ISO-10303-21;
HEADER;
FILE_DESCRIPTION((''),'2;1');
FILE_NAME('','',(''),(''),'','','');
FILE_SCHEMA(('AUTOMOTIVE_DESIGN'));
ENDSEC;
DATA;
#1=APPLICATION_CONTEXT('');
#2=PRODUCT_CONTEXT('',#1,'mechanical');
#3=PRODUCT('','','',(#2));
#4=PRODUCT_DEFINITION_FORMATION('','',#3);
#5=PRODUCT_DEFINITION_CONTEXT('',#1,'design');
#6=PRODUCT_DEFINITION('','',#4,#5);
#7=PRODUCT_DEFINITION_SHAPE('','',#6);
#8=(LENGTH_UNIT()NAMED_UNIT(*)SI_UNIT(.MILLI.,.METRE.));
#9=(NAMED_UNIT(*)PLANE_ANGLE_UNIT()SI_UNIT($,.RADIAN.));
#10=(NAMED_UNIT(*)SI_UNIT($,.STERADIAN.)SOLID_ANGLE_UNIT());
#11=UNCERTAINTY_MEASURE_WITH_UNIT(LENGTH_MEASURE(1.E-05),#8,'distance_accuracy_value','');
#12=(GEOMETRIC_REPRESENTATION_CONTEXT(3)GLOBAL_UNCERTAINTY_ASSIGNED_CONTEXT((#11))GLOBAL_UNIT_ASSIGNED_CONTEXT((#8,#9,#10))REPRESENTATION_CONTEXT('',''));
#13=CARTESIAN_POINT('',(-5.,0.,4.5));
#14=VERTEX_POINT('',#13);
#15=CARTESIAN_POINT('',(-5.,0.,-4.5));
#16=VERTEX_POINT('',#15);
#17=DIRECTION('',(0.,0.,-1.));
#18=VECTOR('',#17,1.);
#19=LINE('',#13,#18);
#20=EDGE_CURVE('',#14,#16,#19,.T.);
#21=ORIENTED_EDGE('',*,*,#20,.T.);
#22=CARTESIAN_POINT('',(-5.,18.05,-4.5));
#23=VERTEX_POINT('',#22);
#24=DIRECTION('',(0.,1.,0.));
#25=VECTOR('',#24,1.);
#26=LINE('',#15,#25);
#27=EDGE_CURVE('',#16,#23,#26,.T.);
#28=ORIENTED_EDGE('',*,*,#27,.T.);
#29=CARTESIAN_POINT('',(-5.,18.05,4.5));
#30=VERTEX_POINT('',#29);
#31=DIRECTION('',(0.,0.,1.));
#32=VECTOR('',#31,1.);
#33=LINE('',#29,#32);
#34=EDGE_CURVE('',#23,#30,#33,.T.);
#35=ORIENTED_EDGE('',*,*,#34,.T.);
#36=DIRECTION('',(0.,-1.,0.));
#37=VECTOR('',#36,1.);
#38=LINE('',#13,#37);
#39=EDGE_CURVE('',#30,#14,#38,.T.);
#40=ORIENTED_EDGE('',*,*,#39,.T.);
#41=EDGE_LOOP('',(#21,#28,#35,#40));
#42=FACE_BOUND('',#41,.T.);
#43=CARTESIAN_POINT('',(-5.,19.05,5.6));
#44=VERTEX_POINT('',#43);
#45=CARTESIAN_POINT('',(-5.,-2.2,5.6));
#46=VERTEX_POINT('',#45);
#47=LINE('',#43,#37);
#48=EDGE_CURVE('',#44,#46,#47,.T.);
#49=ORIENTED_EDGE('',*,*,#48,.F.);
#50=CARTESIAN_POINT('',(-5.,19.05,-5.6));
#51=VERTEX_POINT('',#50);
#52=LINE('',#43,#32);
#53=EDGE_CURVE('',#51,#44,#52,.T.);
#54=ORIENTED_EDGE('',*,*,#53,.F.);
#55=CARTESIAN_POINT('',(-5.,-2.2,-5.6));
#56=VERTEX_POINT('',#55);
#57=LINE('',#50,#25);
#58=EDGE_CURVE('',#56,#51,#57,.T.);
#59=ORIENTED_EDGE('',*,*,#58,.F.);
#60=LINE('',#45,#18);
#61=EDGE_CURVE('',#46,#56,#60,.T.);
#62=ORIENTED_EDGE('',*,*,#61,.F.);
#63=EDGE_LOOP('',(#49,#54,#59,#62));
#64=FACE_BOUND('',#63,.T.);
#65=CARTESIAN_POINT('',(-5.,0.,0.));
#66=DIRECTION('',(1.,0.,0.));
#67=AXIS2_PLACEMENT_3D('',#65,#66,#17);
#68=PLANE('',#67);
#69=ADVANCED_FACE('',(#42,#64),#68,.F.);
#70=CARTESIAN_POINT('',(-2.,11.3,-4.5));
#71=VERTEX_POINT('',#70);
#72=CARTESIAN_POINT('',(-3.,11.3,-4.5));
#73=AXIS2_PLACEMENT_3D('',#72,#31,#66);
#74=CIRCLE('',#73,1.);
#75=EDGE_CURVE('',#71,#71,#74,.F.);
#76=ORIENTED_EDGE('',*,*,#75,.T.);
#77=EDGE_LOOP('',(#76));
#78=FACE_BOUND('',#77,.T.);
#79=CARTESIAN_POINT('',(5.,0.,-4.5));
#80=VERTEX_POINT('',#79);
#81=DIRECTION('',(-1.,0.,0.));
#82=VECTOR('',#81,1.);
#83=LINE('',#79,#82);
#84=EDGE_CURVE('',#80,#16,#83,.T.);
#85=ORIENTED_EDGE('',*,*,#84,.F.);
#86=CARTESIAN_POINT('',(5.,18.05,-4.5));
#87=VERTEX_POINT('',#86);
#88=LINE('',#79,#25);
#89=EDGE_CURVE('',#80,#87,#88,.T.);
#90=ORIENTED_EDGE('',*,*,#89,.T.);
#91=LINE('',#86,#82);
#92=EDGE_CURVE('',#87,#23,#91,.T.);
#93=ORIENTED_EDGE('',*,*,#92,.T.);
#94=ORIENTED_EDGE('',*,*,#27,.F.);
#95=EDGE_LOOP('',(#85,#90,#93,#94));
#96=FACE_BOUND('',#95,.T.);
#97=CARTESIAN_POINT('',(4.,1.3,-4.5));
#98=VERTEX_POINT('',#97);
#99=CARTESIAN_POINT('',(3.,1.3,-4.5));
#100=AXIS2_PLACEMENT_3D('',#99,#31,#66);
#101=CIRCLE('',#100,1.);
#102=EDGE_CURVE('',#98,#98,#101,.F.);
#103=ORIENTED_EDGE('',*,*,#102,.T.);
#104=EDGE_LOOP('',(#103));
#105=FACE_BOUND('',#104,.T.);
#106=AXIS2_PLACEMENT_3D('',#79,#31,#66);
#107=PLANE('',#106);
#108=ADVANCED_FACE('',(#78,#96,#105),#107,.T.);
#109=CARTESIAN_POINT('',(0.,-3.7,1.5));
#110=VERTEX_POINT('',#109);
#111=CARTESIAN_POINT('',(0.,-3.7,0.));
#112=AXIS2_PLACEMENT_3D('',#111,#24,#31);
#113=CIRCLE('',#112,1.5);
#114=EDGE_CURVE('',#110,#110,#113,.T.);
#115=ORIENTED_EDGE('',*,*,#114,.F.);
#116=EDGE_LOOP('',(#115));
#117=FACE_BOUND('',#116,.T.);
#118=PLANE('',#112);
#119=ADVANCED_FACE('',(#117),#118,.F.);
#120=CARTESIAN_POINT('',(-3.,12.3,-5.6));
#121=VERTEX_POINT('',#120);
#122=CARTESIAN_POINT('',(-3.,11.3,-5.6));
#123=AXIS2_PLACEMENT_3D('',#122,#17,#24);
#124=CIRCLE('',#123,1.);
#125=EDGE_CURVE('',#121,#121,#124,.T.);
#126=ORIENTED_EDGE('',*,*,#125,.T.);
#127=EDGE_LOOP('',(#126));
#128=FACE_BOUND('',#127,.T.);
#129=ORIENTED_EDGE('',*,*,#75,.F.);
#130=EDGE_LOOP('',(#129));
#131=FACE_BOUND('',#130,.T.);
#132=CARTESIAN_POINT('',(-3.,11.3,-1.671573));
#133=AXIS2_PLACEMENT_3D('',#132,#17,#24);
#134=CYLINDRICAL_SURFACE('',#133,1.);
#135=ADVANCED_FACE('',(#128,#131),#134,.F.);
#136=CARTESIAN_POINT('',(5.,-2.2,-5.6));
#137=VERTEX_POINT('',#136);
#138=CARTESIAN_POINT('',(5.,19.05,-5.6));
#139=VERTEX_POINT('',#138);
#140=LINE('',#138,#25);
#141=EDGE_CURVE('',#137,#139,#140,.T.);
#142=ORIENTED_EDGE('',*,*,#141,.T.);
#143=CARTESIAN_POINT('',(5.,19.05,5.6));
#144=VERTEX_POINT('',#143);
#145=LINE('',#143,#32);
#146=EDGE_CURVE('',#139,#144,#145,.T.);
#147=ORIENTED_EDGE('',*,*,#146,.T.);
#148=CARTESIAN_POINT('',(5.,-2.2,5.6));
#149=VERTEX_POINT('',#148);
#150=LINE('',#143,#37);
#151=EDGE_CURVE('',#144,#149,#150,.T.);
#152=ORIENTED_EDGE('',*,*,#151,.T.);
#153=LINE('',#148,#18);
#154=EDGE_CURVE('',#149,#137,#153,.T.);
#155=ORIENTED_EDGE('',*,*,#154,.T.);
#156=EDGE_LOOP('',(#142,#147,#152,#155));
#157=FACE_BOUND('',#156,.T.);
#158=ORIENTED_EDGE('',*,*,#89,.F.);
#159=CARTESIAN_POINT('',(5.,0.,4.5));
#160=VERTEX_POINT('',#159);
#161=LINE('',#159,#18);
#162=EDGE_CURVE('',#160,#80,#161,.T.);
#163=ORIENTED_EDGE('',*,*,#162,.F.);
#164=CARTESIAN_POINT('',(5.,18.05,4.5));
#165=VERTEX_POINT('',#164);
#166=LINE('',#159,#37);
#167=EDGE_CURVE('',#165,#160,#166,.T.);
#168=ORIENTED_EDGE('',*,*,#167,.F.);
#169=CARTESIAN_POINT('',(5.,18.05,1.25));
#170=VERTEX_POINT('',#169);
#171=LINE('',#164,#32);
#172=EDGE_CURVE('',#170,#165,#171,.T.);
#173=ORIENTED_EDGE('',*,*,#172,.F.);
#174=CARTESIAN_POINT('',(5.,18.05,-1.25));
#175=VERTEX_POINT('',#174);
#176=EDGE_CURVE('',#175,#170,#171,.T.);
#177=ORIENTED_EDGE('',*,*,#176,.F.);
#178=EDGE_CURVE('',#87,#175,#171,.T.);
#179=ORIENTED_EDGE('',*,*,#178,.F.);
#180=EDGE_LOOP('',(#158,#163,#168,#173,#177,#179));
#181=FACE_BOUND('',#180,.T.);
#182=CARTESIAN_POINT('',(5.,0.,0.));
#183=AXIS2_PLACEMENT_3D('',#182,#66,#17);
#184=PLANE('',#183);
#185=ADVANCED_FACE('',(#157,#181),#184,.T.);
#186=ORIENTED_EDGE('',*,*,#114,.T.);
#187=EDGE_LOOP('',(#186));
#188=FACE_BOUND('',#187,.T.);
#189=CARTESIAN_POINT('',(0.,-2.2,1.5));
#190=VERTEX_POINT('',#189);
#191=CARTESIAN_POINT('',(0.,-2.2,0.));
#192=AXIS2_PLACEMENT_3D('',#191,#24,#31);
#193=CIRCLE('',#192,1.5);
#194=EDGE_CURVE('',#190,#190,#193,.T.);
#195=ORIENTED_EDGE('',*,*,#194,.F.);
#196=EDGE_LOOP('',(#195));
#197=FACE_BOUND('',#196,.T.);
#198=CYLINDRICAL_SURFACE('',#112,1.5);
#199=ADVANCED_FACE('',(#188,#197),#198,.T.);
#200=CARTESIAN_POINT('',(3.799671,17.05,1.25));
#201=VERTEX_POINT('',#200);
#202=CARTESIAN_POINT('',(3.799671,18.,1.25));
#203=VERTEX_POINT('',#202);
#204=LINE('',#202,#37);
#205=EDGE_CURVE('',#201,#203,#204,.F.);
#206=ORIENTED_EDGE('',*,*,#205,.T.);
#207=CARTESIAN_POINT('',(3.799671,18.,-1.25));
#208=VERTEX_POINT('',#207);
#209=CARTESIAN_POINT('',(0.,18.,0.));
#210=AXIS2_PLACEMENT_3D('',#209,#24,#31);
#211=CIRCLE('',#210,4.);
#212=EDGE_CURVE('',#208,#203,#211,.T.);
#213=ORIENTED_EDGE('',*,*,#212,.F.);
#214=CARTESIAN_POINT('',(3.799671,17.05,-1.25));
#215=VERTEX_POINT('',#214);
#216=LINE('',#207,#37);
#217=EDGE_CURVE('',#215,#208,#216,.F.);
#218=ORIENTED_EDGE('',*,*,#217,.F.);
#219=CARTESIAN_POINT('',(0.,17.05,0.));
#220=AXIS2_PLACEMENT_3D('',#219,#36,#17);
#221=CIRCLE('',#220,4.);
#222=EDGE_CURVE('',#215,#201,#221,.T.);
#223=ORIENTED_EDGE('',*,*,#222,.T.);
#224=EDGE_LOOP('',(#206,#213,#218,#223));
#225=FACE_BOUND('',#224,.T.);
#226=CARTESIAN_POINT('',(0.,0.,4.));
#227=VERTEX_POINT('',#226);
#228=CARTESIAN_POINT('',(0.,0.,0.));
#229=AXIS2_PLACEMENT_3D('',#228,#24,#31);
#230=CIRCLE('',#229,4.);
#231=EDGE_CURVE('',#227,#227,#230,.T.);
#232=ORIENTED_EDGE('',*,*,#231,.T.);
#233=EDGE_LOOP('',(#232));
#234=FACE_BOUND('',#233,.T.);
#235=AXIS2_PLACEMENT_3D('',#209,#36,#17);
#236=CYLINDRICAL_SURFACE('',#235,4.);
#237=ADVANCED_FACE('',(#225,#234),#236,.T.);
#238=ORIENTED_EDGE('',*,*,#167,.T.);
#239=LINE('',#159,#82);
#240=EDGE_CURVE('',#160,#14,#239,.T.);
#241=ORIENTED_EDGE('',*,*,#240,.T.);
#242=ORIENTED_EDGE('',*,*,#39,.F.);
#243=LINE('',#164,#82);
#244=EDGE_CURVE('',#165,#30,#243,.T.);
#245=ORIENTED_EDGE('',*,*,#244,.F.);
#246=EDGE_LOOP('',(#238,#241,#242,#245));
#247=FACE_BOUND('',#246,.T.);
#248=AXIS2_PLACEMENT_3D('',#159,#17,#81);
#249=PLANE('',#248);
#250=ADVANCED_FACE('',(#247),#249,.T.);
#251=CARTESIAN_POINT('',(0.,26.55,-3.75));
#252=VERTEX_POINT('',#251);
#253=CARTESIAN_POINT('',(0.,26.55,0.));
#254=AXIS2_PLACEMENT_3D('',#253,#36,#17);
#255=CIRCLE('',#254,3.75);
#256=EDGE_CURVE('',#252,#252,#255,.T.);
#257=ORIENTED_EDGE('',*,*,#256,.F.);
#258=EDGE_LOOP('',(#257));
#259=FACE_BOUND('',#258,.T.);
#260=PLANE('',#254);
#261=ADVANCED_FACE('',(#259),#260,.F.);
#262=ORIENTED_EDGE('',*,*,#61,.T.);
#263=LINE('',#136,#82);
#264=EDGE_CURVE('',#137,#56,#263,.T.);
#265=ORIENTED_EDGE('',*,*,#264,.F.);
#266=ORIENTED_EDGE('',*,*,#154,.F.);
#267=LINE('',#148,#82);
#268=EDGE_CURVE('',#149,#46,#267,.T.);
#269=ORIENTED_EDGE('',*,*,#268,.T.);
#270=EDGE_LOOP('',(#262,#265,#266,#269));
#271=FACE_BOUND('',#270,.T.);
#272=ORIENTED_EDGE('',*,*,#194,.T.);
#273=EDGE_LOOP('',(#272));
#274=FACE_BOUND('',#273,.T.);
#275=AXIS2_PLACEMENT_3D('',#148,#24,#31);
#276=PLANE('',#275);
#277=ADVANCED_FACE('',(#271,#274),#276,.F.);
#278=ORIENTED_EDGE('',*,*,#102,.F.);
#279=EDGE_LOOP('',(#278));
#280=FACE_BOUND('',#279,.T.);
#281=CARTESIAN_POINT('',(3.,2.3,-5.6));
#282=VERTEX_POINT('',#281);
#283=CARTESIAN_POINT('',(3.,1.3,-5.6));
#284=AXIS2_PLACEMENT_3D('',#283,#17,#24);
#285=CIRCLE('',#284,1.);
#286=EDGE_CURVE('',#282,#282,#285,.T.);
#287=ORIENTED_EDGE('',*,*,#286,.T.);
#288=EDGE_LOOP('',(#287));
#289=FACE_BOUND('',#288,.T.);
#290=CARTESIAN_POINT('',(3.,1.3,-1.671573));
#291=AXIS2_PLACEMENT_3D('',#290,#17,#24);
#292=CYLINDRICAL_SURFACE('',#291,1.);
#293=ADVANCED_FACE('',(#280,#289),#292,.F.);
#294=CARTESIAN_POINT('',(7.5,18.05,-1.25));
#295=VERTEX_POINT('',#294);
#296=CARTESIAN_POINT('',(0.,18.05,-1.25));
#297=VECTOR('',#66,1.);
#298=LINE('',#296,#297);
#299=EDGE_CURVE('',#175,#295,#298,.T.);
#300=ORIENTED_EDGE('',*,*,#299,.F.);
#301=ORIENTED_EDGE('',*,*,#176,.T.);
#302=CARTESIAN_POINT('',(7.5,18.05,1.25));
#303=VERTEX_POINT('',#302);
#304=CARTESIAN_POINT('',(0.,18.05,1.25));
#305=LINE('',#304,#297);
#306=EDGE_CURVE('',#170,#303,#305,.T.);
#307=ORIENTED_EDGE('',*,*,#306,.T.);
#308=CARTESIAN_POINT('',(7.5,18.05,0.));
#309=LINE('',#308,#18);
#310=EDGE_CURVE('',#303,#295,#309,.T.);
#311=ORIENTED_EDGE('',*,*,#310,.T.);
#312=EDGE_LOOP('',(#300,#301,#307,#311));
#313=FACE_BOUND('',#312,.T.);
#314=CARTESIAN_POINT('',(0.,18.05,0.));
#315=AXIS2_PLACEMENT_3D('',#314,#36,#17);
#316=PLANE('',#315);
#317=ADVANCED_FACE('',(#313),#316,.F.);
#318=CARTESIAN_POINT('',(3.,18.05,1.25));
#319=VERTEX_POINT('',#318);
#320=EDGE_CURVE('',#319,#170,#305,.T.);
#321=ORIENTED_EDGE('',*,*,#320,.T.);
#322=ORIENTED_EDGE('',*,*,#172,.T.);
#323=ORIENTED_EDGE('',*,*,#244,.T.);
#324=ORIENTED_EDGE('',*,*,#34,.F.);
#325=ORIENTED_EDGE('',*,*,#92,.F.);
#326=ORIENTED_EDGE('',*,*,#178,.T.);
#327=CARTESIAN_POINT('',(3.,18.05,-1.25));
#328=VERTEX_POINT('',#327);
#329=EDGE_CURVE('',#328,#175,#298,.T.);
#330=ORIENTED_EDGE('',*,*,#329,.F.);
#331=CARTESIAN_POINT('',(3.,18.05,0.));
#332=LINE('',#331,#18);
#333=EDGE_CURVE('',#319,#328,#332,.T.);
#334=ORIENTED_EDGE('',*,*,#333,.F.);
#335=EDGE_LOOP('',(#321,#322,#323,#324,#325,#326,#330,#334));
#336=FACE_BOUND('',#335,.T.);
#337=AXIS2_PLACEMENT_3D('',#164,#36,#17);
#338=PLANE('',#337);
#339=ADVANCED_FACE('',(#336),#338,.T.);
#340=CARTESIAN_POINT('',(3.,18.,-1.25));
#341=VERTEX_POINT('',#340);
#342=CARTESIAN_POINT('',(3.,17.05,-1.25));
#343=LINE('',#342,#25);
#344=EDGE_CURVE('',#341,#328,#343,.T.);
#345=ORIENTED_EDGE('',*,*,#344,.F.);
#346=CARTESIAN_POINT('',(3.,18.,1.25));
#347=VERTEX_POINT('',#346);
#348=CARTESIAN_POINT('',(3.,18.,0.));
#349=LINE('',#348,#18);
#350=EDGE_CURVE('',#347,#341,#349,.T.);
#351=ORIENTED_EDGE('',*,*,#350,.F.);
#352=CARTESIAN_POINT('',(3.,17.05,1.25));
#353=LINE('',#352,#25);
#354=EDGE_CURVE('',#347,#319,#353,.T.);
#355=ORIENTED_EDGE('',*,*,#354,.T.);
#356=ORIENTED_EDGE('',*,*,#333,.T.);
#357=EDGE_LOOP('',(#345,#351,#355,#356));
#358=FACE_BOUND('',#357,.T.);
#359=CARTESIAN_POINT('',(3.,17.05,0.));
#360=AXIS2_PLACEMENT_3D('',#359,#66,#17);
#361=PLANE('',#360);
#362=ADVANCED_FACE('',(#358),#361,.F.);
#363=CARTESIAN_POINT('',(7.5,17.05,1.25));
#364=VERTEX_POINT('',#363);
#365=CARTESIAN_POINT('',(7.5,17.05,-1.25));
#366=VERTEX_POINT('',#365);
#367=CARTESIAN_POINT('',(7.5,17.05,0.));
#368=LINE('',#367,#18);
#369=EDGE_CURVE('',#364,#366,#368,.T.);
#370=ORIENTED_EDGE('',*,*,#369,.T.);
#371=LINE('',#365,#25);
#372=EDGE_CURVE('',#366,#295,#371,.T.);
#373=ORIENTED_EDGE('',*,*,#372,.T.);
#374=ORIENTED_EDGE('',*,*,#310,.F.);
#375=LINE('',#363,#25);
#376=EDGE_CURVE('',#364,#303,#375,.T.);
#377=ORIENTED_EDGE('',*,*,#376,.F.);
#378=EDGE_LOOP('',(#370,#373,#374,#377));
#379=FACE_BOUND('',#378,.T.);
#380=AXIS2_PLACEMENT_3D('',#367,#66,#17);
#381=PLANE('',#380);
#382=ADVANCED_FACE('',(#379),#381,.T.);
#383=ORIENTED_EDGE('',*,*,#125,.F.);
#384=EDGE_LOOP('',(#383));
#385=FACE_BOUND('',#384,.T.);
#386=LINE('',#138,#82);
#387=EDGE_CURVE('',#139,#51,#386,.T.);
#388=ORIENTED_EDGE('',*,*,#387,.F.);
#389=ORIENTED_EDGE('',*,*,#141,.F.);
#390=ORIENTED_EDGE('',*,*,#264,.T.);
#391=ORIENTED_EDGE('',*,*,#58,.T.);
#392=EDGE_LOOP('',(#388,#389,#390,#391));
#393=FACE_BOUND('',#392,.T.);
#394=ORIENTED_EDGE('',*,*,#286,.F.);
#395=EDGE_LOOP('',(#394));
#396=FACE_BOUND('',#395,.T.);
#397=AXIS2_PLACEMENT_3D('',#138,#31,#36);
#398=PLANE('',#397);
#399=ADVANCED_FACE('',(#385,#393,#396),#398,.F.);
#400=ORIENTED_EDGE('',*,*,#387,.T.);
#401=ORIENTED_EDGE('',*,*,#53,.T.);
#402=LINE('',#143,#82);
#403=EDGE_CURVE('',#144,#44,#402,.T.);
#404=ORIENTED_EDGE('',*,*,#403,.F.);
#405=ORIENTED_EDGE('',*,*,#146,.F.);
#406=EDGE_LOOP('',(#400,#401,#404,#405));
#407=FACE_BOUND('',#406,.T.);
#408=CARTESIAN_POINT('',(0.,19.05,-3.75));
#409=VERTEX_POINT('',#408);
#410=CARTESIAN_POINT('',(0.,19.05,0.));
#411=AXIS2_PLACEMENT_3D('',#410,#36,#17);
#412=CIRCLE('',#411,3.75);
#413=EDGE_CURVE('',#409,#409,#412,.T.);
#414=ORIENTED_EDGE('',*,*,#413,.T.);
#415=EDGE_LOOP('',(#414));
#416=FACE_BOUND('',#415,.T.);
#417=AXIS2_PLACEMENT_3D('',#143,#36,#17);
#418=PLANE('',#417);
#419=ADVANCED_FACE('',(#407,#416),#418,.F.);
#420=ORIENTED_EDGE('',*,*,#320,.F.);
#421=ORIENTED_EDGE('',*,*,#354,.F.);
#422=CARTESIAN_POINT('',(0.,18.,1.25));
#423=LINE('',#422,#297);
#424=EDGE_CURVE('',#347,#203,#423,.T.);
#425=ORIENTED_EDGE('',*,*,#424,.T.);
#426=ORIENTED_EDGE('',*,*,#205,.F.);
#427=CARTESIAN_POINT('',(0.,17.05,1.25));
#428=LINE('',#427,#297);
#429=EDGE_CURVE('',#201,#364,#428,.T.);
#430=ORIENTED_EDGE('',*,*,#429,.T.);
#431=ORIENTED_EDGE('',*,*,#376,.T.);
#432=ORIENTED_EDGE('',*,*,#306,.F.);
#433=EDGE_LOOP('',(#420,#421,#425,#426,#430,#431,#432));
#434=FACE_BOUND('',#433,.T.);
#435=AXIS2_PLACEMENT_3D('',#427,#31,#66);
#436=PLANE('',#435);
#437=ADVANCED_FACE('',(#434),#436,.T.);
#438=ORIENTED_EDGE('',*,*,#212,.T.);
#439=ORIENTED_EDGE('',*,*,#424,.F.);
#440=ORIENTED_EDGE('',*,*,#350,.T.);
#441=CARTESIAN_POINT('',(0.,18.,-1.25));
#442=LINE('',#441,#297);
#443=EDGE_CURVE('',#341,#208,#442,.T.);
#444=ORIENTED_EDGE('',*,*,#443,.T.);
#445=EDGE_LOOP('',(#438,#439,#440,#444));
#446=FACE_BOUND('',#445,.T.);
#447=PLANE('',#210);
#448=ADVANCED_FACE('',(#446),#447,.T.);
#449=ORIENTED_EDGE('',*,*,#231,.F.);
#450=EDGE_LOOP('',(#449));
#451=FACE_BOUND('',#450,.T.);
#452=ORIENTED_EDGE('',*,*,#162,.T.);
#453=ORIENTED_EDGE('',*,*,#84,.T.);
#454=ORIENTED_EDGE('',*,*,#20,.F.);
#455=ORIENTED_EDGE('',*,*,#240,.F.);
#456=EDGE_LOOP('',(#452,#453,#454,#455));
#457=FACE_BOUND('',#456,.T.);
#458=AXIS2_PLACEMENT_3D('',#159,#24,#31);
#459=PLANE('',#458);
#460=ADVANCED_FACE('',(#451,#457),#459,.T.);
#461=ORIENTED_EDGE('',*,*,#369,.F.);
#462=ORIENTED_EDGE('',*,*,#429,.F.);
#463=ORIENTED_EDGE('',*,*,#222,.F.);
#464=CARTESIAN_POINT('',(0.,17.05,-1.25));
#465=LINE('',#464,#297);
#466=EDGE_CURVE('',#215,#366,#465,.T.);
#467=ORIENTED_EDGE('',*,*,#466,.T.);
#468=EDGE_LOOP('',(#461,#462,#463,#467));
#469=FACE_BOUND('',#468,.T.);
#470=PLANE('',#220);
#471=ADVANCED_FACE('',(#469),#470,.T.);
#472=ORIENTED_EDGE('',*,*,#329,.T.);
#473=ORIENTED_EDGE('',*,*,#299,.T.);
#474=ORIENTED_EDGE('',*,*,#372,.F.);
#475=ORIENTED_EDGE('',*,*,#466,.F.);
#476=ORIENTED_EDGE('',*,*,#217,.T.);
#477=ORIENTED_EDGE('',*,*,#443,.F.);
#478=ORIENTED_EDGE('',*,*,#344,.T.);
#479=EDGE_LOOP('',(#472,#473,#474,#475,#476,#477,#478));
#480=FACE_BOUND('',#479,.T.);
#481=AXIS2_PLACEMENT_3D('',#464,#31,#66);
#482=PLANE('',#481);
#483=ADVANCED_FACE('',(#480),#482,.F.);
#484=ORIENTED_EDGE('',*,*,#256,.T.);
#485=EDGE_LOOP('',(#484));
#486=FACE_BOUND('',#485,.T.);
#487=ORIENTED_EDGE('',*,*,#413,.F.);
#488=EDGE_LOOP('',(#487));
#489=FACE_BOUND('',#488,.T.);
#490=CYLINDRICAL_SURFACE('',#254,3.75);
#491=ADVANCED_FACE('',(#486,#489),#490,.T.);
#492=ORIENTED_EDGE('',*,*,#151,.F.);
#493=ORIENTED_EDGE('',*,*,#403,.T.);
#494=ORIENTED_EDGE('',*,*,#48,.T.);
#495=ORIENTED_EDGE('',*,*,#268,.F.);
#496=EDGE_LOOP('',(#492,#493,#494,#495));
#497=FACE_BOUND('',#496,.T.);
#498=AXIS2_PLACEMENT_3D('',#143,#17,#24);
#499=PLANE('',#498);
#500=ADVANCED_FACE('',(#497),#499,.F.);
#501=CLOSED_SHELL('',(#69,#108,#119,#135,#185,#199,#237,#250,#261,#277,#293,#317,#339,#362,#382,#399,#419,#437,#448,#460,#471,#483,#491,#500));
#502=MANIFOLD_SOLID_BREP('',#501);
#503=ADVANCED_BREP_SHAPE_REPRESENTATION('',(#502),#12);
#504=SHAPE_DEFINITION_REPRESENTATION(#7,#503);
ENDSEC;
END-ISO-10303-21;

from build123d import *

# Parameters (mm, degrees)
SKETCH2_R           = 4
BOSS_EXTRUDE1_DEPTH = 18
SKETCH3_W           = 11.2
SKETCH3_H           = 21.25
SKETCH3_W_2         = 9
SKETCH3_H_2         = 18.05
BOSS_EXTRUDE2_DEPTH = 5
BOSS_EXTRUDE3_START = 19.05
SKETCH4_R           = 3.75
BOSS_EXTRUDE3_DEPTH = 7.5
BOSS_EXTRUDE4_START = -2.2
SKETCH4_3_R         = 1.5
BOSS_EXTRUDE4_DEPTH = 1.5
SKETCH5_R           = 1
CUT_EXTRUDE1_DEPTH  = 1.1
SKETCH6_W           = 2
SKETCH6_H           = 1.25
BOSS_EXTRUDE6_DEPTH = 1


with BuildPart() as part:
    # Sketch2 → Boss-Extrude1 (new body)
    with BuildSketch(Plane(origin=(0, 0, 0), x_dir=(1, 0, 0), z_dir=(0, 1, 0))):
        with Locations(Location((0, 0, 0), (0, 0, 270))):
            Circle(SKETCH2_R)
    extrude(amount=BOSS_EXTRUDE1_DEPTH)

    # Sketch3 → Boss-Extrude2 (add, symmetric)
    with BuildSketch(Plane(origin=(0, 0, 0), x_dir=(0, 0, -1), z_dir=(1, 0, 0))):
        with Locations((0, 8.425)):
            Rectangle(SKETCH3_W, SKETCH3_H)
        with Locations((0, 9.025)):
            Rectangle(SKETCH3_W_2, SKETCH3_H_2, mode=Mode.SUBTRACT)
    extrude(amount=BOSS_EXTRUDE2_DEPTH, both=True)

    # Sketch4 → Boss-Extrude3 (add)
    with BuildSketch(Plane(origin=(0, 0, 0), x_dir=(1, 0, 0), z_dir=(0, 1, 0)).offset(BOSS_EXTRUDE3_START)):
        with Locations(Location((0, 0, 0), (0, 0, 90))):
            Circle(SKETCH4_R)
    extrude(amount=BOSS_EXTRUDE3_DEPTH)

    # Sketch4<3> → Boss-Extrude4 (add)
    with BuildSketch(Plane(origin=(0, 0, 0), x_dir=(1, 0, 0), z_dir=(0, 1, 0)).offset(BOSS_EXTRUDE4_START)):
        with Locations(Location((0, 0, 0), (0, 0, 270))):
            Circle(SKETCH4_3_R)
    extrude(amount=-BOSS_EXTRUDE4_DEPTH)

    # Sketch5 → Cut-Extrude1 (cut)
    with BuildSketch(Plane(origin=(0, 0, -5.6), x_dir=(-1, 0, 0), z_dir=(0, 0, -1))):
        with Locations(Location((-3, 1.3, 0), (0, 0, 90))):
            Circle(SKETCH5_R)
        with Locations(Location((3, 11.3, 0), (0, 0, 90))):
            Circle(SKETCH5_R)
    extrude(amount=-CUT_EXTRUDE1_DEPTH, mode=Mode.SUBTRACT)

    # Sketch6 → Boss-Extrude6 (add)
    with BuildSketch(Plane.XZ.offset(-18.05)):
        Polygon((5, 0), (5, -1.25), (7.5, -1.25), (7.5, 1.25), (5, 1.25), align=None)
        with Locations((4, -0.625)):
            Rectangle(SKETCH6_W, SKETCH6_H)
        with Locations((4, 0.625)):
            Rectangle(SKETCH6_W, SKETCH6_H)
    extrude(amount=BOSS_EXTRUDE6_DEPTH)


solid = part.part
